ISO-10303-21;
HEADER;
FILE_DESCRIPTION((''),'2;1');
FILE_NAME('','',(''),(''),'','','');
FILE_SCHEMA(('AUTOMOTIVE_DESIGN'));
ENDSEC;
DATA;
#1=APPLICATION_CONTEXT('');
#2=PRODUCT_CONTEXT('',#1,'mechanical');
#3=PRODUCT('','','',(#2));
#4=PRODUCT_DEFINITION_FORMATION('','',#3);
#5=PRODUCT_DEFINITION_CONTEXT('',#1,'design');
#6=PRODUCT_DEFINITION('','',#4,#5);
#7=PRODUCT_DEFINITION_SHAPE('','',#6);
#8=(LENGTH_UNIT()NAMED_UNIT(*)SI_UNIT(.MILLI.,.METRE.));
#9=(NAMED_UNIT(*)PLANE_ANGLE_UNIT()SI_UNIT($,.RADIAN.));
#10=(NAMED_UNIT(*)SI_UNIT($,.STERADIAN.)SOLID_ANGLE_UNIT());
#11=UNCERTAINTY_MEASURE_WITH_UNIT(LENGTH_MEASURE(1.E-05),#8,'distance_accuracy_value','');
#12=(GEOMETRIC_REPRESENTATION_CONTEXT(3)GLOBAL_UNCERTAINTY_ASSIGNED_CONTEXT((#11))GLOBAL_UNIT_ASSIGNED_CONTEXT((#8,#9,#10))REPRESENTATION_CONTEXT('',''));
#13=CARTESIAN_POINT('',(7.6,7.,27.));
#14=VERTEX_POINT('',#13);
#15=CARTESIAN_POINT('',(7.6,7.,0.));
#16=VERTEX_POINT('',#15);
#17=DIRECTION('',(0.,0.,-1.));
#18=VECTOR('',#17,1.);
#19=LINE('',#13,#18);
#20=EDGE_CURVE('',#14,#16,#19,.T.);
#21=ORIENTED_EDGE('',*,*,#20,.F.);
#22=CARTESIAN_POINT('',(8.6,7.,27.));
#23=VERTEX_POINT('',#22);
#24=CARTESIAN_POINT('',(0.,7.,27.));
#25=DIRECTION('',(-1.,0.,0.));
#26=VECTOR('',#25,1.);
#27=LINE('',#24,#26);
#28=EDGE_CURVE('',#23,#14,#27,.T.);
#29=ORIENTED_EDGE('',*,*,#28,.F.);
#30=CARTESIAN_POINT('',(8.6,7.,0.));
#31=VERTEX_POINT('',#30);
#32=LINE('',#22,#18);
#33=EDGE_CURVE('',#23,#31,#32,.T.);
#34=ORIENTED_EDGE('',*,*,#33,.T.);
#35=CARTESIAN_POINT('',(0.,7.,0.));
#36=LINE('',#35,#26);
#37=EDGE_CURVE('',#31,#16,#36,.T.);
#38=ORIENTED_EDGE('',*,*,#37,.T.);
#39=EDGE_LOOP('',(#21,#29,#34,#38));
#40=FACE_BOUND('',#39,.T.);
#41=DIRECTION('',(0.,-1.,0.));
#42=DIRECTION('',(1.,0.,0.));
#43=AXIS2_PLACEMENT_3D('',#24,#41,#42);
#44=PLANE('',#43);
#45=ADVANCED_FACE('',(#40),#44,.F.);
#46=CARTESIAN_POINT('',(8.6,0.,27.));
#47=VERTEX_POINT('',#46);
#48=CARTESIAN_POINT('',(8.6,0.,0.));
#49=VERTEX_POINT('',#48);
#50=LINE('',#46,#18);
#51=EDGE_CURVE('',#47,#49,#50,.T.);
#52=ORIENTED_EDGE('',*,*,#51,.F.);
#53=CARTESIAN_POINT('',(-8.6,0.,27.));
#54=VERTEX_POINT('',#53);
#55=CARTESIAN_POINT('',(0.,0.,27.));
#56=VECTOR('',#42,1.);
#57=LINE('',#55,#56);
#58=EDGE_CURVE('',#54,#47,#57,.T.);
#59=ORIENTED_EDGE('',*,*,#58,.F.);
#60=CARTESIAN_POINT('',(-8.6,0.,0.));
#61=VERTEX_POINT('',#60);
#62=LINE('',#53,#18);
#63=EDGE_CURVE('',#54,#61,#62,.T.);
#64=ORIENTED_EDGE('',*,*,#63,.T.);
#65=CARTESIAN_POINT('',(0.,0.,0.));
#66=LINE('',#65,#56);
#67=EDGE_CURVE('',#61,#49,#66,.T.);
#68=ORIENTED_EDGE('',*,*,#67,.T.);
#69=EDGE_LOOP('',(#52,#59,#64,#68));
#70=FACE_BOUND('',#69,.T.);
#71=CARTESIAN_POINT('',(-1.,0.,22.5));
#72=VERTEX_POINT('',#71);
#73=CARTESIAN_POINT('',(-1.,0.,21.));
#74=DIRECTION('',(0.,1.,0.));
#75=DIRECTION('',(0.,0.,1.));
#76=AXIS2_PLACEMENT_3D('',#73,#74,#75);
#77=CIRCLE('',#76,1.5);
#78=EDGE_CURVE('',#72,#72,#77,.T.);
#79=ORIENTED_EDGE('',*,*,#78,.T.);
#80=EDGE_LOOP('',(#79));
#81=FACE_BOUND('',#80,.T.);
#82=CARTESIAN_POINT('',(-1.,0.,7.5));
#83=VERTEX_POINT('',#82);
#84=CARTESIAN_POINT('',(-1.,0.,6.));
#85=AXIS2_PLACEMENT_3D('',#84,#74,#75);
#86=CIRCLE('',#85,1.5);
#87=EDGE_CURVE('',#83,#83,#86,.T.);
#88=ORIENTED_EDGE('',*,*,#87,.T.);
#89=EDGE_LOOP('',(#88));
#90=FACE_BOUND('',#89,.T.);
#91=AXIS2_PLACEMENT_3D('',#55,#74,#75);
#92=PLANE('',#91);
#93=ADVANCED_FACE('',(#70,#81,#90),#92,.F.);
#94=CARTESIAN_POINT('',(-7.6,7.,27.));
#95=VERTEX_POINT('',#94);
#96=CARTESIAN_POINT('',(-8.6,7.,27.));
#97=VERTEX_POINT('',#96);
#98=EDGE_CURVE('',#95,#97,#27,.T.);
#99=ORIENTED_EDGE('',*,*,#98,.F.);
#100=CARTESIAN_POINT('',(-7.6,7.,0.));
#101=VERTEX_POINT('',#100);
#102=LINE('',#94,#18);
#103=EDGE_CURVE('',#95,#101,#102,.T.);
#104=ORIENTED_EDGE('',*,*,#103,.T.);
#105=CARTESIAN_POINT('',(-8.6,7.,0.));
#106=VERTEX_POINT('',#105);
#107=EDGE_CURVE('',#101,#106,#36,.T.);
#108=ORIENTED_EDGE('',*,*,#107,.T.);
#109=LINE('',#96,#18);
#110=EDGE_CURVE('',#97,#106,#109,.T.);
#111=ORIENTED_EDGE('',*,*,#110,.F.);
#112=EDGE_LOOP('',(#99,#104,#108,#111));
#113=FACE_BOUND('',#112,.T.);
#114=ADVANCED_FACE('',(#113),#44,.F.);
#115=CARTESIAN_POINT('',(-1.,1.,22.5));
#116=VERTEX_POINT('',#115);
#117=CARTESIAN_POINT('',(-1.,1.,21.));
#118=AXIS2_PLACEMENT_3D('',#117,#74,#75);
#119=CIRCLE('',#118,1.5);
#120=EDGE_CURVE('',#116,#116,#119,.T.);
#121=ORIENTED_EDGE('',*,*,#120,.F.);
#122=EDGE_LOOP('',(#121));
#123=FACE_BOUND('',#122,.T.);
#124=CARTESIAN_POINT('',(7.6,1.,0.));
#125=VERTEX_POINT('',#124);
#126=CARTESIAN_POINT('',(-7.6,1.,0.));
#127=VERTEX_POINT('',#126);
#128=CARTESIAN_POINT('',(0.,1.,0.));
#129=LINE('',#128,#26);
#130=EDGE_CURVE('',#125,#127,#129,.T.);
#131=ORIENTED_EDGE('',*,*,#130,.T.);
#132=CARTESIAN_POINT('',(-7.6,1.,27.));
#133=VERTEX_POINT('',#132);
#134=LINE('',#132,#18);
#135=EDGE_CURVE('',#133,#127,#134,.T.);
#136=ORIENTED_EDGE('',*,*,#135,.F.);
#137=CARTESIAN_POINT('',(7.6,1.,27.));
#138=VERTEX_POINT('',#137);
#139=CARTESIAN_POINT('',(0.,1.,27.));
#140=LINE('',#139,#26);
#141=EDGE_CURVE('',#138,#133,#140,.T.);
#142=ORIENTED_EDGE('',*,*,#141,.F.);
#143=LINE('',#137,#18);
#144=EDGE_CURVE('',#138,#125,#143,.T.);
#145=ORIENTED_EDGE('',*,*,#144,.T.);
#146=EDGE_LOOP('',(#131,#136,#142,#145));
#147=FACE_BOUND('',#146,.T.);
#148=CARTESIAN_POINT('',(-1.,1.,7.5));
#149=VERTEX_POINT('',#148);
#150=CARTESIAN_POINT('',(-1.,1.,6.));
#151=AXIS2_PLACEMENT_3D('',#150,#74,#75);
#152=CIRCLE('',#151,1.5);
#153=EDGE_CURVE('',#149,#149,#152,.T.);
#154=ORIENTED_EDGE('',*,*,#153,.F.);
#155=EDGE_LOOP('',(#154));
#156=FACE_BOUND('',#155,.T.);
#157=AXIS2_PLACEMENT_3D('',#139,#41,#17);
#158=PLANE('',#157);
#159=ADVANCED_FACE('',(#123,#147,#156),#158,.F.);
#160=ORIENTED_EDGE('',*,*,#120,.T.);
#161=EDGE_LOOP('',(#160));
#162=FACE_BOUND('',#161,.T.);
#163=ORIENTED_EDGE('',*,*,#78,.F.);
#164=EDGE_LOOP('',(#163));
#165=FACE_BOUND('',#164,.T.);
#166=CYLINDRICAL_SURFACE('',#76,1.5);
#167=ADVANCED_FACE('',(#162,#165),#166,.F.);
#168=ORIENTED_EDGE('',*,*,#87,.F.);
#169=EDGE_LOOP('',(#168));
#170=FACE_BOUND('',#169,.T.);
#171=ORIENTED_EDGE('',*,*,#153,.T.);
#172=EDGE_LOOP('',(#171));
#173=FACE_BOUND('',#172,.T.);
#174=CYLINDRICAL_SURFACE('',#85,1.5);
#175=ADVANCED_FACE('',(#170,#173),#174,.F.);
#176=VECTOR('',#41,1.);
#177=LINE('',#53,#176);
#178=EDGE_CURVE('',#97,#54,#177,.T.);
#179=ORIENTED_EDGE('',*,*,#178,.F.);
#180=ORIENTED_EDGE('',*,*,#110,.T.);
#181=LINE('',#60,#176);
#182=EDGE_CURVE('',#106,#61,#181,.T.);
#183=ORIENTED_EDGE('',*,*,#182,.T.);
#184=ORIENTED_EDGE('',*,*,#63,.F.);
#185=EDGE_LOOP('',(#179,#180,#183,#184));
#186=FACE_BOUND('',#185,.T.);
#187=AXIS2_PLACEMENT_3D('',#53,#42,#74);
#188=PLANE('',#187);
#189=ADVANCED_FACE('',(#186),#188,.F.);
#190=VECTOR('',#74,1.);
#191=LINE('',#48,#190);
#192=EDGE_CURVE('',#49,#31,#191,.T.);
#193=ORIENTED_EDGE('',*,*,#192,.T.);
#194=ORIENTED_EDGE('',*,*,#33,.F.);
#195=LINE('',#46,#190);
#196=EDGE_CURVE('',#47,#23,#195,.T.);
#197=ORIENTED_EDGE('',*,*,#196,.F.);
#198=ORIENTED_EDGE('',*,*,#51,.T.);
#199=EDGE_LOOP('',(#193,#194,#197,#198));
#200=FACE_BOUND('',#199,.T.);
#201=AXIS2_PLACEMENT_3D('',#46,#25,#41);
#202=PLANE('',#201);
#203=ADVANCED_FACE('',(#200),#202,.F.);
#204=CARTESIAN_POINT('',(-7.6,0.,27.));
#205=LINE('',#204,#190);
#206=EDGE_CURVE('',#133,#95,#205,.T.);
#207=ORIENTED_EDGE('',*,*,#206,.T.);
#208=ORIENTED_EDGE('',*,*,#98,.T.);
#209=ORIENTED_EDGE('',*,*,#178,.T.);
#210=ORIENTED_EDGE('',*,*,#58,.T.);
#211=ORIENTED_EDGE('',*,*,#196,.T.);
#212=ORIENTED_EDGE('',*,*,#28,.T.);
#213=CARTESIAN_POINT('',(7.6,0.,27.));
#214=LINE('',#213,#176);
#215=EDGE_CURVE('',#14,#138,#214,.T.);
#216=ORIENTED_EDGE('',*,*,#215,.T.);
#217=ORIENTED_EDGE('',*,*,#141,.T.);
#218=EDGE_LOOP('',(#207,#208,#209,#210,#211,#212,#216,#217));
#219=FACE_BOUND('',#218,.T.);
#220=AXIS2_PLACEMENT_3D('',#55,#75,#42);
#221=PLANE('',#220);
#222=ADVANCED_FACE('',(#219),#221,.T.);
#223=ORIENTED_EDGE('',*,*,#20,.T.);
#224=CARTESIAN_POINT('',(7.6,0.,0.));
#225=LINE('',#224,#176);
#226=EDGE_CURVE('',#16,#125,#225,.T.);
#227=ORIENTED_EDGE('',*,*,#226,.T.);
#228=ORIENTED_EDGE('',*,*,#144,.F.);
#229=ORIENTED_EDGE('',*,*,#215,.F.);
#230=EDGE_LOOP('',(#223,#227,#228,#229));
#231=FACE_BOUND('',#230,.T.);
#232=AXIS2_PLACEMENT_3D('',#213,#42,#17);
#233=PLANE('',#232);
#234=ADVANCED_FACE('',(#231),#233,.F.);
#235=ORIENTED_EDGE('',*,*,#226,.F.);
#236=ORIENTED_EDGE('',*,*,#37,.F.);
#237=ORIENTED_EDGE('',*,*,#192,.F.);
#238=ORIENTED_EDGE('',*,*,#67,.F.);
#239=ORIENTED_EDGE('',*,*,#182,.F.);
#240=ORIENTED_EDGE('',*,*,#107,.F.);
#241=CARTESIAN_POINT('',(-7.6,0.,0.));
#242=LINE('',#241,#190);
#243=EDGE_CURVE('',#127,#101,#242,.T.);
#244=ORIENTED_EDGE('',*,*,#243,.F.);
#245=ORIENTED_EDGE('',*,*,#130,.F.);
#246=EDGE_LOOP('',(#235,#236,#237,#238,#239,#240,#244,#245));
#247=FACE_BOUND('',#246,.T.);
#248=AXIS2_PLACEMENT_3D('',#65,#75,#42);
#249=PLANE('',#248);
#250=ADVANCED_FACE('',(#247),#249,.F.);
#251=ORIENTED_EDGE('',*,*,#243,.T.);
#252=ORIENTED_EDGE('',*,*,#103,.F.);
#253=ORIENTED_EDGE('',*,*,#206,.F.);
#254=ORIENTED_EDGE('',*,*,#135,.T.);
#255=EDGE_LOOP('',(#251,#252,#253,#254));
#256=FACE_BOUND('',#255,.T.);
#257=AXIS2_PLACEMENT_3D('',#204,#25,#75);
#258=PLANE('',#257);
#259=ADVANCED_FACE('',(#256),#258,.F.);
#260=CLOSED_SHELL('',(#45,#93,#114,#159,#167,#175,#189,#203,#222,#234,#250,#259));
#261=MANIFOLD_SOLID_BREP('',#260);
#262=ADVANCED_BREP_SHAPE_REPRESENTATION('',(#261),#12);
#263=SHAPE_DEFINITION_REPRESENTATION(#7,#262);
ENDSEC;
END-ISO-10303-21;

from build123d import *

# Parameters (mm, degrees)
EXTRUDE_641_DEPTH   = 27
SKETCH_3_R          = 1.5
CUT_EXTRUDE_1_DEPTH = 29.964806231


with BuildPart() as part:
    # Sketch 298 → Extrude 641 (new body)
    with BuildSketch(Plane.XY):
        Polygon((-7.6, 7), (-8.6, 7), (-8.6, 0), (8.6, 0), (8.6, 7), (7.6, 7), (7.6, 1), (-7.6, 1), align=None)
    extrude(amount=EXTRUDE_641_DEPTH)

    # Эскиз3 → Вырез-Вытянуть1 (cut, through all)
    with BuildSketch(Plane(origin=(0, 1, 0), x_dir=(1, 0, 0), z_dir=(0, 1, 0))):
        with Locations((-1, -6)):
            Circle(SKETCH_3_R)
        with Locations((-1, -21)):
            Circle(SKETCH_3_R)
    extrude(amount=-CUT_EXTRUDE_1_DEPTH, mode=Mode.SUBTRACT)


solid = part.part
